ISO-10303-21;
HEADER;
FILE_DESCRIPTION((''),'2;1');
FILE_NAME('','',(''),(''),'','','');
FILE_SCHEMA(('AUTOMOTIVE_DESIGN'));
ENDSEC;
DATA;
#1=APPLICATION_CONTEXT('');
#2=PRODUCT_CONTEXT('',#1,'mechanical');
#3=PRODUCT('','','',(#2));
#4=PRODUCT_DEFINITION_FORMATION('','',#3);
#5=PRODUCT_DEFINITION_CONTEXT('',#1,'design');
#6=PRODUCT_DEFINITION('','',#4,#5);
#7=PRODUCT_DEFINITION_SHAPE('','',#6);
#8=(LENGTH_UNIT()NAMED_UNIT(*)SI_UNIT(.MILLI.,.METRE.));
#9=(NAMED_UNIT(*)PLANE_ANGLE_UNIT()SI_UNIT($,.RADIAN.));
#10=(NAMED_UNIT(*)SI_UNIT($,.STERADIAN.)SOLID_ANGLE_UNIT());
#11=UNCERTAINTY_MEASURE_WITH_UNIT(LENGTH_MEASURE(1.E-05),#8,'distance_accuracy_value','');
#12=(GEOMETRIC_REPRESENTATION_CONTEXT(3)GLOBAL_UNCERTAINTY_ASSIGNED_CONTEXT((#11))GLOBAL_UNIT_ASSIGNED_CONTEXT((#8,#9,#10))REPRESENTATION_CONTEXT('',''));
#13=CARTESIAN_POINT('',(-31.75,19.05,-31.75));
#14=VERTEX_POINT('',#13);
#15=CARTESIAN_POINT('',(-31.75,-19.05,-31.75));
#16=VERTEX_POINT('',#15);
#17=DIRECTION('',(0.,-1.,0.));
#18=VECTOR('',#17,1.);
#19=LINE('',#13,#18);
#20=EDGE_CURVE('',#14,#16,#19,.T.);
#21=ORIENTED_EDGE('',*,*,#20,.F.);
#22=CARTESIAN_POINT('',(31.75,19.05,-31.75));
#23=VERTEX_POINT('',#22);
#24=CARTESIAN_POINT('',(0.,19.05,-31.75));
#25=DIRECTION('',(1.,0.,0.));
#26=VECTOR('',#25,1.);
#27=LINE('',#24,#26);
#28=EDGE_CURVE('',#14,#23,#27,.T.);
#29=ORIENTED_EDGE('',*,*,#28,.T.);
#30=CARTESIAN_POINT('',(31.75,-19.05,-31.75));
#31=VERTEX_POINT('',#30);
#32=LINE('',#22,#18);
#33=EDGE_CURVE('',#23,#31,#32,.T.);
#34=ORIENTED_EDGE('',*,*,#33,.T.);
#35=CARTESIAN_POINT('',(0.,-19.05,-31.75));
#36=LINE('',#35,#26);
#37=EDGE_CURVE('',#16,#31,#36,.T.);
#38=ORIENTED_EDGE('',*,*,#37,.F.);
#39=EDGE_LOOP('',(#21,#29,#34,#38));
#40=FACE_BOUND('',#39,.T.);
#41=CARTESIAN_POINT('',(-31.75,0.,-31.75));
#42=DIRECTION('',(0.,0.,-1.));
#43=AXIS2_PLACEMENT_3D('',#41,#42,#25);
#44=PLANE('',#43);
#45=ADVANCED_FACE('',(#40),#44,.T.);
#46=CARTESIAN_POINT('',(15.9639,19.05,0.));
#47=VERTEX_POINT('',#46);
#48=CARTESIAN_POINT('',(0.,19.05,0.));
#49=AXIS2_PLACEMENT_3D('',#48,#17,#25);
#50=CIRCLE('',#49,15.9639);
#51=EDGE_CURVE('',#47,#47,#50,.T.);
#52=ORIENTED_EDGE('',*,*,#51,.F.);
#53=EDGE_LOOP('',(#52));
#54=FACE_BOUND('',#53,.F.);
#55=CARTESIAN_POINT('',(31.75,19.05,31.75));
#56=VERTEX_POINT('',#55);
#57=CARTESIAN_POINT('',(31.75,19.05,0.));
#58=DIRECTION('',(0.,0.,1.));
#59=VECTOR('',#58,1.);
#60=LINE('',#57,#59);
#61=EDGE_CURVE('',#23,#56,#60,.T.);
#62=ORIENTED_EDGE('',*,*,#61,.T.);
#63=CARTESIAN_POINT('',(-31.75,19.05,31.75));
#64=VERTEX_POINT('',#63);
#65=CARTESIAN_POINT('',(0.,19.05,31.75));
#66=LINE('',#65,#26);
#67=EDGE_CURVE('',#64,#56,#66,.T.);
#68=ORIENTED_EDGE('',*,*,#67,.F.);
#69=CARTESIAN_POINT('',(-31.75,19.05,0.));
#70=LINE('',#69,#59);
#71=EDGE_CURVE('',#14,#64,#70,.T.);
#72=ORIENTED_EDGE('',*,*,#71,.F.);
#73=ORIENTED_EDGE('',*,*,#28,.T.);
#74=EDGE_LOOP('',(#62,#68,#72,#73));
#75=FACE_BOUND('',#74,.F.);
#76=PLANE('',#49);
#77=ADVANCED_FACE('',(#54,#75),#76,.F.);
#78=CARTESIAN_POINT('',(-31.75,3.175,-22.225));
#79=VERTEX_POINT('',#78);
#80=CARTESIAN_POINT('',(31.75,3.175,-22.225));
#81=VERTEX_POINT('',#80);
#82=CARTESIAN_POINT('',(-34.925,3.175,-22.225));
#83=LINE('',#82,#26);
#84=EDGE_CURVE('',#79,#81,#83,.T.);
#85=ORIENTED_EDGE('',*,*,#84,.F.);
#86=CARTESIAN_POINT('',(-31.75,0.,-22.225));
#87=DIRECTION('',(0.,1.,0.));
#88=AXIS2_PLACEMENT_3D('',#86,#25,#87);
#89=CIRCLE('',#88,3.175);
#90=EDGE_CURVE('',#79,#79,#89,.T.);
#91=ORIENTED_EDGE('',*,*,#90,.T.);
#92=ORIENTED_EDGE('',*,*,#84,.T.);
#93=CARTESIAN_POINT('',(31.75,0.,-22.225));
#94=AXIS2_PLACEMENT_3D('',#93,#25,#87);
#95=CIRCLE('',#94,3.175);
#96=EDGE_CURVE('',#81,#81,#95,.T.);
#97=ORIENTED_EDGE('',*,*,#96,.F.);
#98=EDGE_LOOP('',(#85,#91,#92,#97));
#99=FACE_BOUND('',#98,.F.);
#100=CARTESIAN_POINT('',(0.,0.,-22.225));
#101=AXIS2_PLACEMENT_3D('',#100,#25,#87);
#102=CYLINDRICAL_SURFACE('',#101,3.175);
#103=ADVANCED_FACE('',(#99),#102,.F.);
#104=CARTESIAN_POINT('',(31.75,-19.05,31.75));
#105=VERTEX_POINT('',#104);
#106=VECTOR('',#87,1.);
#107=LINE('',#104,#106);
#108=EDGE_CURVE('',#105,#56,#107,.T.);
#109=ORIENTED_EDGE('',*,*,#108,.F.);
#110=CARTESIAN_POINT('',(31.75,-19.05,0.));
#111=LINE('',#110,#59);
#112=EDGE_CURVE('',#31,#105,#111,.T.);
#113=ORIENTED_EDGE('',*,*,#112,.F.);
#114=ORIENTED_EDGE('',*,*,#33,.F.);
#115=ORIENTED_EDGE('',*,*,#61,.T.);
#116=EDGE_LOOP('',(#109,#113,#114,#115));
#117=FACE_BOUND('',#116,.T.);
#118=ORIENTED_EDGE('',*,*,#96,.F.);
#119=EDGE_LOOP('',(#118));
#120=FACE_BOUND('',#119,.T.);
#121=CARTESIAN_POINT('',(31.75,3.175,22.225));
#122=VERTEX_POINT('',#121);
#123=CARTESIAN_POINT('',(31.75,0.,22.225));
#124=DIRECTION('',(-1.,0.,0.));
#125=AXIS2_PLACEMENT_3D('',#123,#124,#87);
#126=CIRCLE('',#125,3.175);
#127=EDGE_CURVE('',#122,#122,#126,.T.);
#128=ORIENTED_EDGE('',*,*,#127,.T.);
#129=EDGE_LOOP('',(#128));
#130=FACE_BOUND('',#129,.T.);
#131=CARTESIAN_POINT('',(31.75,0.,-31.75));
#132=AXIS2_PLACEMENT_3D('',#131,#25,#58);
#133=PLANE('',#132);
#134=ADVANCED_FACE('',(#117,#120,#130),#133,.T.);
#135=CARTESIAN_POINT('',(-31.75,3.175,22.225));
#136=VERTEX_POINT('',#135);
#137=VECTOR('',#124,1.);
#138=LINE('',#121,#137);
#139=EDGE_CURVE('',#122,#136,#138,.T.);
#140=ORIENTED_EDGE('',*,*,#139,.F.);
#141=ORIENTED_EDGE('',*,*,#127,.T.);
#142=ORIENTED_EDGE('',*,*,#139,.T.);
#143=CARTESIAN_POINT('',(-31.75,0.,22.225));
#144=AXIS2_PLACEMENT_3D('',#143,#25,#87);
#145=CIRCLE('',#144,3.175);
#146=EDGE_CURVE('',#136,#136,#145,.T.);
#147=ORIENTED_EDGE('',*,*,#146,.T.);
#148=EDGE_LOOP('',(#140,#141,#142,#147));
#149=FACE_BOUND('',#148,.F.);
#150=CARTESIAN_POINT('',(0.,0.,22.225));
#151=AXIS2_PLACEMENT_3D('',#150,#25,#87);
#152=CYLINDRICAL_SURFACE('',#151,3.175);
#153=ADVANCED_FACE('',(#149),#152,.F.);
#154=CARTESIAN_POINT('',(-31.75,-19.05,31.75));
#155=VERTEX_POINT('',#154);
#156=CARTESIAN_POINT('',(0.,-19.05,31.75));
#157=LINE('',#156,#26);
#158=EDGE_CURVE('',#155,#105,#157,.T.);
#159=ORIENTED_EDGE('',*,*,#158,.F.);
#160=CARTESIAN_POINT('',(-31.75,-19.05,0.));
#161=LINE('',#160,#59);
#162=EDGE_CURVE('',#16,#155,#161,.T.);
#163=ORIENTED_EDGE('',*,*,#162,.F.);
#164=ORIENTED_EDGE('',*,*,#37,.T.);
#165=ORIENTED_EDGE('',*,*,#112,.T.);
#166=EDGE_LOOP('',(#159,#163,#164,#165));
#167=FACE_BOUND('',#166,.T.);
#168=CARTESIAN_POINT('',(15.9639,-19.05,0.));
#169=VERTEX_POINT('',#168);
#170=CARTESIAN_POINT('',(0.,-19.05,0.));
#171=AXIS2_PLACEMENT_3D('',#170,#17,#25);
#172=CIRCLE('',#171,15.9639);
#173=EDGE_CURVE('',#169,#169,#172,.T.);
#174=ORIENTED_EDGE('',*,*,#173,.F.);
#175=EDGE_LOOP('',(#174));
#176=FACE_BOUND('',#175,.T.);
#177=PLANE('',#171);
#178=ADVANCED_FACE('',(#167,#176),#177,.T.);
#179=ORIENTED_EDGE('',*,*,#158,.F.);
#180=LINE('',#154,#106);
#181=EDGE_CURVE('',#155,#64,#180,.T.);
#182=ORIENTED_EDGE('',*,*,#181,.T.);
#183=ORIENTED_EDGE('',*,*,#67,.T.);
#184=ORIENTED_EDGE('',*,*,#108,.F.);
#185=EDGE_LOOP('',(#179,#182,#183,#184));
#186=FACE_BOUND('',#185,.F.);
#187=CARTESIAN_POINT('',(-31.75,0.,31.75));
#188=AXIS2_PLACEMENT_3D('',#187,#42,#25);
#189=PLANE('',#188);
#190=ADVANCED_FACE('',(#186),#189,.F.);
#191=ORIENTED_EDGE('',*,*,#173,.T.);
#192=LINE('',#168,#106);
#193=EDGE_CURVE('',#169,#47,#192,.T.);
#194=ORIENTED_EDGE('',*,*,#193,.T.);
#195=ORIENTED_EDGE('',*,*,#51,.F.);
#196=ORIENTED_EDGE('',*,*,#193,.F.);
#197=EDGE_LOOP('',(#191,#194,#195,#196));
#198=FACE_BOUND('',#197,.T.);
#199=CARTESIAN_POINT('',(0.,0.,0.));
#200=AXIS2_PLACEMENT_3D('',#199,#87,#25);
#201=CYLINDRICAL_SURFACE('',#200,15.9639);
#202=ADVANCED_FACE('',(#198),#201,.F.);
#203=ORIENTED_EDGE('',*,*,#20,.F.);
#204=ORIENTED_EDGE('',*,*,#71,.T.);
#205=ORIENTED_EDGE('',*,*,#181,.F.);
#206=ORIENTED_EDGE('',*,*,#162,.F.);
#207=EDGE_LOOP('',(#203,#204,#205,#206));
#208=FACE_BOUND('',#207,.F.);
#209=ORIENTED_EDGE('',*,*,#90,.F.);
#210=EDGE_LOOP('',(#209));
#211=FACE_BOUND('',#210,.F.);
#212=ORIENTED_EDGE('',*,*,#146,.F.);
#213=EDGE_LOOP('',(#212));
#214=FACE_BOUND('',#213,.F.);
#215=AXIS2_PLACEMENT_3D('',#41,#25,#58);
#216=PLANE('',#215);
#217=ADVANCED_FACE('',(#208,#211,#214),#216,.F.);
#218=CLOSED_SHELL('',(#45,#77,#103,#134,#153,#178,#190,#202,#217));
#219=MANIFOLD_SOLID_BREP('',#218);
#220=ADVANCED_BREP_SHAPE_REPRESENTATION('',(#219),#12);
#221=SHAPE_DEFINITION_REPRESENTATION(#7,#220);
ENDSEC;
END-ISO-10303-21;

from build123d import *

# Parameters (mm, degrees)
F0_W     = 63.5
F0_H     = 63.5
F0_R     = 15.9639
F1_DEPTH = 19.05
F2_R     = 3.175
F3_DEPTH = 34.925


with BuildPart() as f1:
    # F0 (on Front) → F1 (new body, symmetric)
    with BuildSketch(Plane.XZ):
        Rectangle(F0_W, F0_H)
        Circle(F0_R, mode=Mode.SUBTRACT)
    extrude(amount=F1_DEPTH, both=True)

    # F2 (on Right) → F3 (cut, symmetric)
    with BuildSketch(Plane.YZ):
        with Locations((0, 22.225)):
            Circle(F2_R)
        with Locations((0, -22.225)):
            Circle(F2_R)
    extrude(amount=F3_DEPTH, both=True, mode=Mode.SUBTRACT)


solid = f1.part
